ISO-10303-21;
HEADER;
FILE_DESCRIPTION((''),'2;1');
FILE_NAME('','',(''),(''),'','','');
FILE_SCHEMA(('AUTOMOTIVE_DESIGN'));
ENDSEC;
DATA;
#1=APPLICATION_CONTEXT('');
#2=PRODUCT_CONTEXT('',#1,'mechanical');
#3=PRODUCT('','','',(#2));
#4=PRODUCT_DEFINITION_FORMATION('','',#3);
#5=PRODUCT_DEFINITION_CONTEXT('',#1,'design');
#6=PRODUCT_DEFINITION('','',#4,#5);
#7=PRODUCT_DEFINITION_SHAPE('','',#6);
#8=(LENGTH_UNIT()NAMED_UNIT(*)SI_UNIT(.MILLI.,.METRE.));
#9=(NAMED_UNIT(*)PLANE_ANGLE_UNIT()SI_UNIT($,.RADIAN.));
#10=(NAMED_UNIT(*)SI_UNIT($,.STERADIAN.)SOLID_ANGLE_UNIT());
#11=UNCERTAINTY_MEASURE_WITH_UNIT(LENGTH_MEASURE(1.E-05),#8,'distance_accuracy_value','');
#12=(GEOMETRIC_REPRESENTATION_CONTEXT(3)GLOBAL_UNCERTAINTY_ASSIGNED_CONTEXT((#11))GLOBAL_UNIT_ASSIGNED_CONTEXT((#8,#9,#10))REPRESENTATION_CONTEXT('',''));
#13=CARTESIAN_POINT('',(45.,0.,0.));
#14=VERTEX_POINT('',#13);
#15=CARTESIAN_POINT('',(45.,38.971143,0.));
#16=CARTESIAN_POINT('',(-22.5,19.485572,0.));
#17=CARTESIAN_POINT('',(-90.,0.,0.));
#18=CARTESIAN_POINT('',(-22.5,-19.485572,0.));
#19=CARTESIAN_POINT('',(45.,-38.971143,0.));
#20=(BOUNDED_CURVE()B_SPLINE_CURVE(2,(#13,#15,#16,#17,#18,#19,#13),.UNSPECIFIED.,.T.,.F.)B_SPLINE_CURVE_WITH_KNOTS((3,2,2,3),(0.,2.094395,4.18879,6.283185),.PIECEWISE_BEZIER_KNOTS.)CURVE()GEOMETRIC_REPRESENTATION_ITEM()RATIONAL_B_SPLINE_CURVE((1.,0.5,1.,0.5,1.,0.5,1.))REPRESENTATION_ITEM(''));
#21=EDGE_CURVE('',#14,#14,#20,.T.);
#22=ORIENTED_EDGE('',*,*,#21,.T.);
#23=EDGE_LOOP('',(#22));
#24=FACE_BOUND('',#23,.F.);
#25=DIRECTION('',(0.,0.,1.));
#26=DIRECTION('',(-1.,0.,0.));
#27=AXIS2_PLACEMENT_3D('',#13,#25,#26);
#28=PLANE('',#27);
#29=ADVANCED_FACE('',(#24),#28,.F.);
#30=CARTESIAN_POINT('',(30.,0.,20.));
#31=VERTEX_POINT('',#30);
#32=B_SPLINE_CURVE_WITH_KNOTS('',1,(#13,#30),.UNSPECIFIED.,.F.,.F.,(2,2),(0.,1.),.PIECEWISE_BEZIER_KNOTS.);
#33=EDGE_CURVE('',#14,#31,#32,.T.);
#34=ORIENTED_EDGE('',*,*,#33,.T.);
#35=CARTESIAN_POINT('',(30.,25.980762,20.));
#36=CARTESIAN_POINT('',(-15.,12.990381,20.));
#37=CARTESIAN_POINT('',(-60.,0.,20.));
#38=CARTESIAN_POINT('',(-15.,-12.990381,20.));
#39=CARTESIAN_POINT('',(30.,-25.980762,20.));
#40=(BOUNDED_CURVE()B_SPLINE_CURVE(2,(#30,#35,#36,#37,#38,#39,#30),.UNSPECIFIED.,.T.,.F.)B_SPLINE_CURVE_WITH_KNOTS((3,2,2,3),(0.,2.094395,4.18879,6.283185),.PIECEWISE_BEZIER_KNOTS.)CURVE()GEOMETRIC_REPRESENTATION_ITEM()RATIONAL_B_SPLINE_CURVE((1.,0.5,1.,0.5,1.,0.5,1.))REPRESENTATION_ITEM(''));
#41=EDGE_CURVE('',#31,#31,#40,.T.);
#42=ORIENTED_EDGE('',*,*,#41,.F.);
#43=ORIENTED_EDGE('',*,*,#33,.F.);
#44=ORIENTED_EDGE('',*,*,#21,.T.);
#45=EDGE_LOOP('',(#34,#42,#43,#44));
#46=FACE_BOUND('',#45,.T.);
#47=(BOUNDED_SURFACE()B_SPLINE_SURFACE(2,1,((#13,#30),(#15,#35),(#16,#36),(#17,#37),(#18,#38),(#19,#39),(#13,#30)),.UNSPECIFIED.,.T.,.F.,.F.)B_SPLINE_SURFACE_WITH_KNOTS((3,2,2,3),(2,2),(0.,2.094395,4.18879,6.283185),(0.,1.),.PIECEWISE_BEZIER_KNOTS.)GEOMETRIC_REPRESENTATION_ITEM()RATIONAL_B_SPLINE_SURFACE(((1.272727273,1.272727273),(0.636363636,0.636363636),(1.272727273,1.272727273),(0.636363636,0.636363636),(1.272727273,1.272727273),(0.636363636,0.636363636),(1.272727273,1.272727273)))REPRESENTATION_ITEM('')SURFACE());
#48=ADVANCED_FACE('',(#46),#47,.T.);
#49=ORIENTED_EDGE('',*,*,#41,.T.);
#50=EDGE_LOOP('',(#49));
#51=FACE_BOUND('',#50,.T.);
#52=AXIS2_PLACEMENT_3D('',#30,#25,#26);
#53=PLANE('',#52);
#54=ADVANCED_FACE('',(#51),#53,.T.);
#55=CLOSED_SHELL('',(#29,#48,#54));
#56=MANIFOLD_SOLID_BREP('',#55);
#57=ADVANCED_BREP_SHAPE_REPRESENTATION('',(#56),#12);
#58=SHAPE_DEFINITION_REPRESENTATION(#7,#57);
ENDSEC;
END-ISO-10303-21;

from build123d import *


with BuildPart() as f3:
    # F0 (on Top) → F3 section 0
    with BuildSketch(Plane.XY):
        with BuildLine():
            add(Edge.make_bspline(
                [(45, 0), (45, 38.971143), (-22.5, 19.485572), (-90, 0), (-22.5, -19.485572), (45, -38.971143), (45, 0)],
                knots=[0, 0, 0, 2.094395, 2.094395, 4.18879, 4.18879, 6.283185, 6.283185, 6.283185], degree=2, weights=[1, 0.5, 1, 0.5, 1, 0.5, 1]))
        make_face()
    # F2 (on offset) → F3 section 1
    with BuildSketch(Plane.XY.offset(20)):
        with BuildLine():
            add(Edge.make_bspline(
                [(30, 0), (30, 25.980762), (-15, 12.990381), (-60, 0), (-15, -12.990381), (30, -25.980762), (30, 0)],
                knots=[0, 0, 0, 2.094395, 2.094395, 4.18879, 4.18879, 6.283185, 6.283185, 6.283185], degree=2, weights=[1, 0.5, 1, 0.5, 1, 0.5, 1]))
        make_face()
    loft()


solid = f3.part
